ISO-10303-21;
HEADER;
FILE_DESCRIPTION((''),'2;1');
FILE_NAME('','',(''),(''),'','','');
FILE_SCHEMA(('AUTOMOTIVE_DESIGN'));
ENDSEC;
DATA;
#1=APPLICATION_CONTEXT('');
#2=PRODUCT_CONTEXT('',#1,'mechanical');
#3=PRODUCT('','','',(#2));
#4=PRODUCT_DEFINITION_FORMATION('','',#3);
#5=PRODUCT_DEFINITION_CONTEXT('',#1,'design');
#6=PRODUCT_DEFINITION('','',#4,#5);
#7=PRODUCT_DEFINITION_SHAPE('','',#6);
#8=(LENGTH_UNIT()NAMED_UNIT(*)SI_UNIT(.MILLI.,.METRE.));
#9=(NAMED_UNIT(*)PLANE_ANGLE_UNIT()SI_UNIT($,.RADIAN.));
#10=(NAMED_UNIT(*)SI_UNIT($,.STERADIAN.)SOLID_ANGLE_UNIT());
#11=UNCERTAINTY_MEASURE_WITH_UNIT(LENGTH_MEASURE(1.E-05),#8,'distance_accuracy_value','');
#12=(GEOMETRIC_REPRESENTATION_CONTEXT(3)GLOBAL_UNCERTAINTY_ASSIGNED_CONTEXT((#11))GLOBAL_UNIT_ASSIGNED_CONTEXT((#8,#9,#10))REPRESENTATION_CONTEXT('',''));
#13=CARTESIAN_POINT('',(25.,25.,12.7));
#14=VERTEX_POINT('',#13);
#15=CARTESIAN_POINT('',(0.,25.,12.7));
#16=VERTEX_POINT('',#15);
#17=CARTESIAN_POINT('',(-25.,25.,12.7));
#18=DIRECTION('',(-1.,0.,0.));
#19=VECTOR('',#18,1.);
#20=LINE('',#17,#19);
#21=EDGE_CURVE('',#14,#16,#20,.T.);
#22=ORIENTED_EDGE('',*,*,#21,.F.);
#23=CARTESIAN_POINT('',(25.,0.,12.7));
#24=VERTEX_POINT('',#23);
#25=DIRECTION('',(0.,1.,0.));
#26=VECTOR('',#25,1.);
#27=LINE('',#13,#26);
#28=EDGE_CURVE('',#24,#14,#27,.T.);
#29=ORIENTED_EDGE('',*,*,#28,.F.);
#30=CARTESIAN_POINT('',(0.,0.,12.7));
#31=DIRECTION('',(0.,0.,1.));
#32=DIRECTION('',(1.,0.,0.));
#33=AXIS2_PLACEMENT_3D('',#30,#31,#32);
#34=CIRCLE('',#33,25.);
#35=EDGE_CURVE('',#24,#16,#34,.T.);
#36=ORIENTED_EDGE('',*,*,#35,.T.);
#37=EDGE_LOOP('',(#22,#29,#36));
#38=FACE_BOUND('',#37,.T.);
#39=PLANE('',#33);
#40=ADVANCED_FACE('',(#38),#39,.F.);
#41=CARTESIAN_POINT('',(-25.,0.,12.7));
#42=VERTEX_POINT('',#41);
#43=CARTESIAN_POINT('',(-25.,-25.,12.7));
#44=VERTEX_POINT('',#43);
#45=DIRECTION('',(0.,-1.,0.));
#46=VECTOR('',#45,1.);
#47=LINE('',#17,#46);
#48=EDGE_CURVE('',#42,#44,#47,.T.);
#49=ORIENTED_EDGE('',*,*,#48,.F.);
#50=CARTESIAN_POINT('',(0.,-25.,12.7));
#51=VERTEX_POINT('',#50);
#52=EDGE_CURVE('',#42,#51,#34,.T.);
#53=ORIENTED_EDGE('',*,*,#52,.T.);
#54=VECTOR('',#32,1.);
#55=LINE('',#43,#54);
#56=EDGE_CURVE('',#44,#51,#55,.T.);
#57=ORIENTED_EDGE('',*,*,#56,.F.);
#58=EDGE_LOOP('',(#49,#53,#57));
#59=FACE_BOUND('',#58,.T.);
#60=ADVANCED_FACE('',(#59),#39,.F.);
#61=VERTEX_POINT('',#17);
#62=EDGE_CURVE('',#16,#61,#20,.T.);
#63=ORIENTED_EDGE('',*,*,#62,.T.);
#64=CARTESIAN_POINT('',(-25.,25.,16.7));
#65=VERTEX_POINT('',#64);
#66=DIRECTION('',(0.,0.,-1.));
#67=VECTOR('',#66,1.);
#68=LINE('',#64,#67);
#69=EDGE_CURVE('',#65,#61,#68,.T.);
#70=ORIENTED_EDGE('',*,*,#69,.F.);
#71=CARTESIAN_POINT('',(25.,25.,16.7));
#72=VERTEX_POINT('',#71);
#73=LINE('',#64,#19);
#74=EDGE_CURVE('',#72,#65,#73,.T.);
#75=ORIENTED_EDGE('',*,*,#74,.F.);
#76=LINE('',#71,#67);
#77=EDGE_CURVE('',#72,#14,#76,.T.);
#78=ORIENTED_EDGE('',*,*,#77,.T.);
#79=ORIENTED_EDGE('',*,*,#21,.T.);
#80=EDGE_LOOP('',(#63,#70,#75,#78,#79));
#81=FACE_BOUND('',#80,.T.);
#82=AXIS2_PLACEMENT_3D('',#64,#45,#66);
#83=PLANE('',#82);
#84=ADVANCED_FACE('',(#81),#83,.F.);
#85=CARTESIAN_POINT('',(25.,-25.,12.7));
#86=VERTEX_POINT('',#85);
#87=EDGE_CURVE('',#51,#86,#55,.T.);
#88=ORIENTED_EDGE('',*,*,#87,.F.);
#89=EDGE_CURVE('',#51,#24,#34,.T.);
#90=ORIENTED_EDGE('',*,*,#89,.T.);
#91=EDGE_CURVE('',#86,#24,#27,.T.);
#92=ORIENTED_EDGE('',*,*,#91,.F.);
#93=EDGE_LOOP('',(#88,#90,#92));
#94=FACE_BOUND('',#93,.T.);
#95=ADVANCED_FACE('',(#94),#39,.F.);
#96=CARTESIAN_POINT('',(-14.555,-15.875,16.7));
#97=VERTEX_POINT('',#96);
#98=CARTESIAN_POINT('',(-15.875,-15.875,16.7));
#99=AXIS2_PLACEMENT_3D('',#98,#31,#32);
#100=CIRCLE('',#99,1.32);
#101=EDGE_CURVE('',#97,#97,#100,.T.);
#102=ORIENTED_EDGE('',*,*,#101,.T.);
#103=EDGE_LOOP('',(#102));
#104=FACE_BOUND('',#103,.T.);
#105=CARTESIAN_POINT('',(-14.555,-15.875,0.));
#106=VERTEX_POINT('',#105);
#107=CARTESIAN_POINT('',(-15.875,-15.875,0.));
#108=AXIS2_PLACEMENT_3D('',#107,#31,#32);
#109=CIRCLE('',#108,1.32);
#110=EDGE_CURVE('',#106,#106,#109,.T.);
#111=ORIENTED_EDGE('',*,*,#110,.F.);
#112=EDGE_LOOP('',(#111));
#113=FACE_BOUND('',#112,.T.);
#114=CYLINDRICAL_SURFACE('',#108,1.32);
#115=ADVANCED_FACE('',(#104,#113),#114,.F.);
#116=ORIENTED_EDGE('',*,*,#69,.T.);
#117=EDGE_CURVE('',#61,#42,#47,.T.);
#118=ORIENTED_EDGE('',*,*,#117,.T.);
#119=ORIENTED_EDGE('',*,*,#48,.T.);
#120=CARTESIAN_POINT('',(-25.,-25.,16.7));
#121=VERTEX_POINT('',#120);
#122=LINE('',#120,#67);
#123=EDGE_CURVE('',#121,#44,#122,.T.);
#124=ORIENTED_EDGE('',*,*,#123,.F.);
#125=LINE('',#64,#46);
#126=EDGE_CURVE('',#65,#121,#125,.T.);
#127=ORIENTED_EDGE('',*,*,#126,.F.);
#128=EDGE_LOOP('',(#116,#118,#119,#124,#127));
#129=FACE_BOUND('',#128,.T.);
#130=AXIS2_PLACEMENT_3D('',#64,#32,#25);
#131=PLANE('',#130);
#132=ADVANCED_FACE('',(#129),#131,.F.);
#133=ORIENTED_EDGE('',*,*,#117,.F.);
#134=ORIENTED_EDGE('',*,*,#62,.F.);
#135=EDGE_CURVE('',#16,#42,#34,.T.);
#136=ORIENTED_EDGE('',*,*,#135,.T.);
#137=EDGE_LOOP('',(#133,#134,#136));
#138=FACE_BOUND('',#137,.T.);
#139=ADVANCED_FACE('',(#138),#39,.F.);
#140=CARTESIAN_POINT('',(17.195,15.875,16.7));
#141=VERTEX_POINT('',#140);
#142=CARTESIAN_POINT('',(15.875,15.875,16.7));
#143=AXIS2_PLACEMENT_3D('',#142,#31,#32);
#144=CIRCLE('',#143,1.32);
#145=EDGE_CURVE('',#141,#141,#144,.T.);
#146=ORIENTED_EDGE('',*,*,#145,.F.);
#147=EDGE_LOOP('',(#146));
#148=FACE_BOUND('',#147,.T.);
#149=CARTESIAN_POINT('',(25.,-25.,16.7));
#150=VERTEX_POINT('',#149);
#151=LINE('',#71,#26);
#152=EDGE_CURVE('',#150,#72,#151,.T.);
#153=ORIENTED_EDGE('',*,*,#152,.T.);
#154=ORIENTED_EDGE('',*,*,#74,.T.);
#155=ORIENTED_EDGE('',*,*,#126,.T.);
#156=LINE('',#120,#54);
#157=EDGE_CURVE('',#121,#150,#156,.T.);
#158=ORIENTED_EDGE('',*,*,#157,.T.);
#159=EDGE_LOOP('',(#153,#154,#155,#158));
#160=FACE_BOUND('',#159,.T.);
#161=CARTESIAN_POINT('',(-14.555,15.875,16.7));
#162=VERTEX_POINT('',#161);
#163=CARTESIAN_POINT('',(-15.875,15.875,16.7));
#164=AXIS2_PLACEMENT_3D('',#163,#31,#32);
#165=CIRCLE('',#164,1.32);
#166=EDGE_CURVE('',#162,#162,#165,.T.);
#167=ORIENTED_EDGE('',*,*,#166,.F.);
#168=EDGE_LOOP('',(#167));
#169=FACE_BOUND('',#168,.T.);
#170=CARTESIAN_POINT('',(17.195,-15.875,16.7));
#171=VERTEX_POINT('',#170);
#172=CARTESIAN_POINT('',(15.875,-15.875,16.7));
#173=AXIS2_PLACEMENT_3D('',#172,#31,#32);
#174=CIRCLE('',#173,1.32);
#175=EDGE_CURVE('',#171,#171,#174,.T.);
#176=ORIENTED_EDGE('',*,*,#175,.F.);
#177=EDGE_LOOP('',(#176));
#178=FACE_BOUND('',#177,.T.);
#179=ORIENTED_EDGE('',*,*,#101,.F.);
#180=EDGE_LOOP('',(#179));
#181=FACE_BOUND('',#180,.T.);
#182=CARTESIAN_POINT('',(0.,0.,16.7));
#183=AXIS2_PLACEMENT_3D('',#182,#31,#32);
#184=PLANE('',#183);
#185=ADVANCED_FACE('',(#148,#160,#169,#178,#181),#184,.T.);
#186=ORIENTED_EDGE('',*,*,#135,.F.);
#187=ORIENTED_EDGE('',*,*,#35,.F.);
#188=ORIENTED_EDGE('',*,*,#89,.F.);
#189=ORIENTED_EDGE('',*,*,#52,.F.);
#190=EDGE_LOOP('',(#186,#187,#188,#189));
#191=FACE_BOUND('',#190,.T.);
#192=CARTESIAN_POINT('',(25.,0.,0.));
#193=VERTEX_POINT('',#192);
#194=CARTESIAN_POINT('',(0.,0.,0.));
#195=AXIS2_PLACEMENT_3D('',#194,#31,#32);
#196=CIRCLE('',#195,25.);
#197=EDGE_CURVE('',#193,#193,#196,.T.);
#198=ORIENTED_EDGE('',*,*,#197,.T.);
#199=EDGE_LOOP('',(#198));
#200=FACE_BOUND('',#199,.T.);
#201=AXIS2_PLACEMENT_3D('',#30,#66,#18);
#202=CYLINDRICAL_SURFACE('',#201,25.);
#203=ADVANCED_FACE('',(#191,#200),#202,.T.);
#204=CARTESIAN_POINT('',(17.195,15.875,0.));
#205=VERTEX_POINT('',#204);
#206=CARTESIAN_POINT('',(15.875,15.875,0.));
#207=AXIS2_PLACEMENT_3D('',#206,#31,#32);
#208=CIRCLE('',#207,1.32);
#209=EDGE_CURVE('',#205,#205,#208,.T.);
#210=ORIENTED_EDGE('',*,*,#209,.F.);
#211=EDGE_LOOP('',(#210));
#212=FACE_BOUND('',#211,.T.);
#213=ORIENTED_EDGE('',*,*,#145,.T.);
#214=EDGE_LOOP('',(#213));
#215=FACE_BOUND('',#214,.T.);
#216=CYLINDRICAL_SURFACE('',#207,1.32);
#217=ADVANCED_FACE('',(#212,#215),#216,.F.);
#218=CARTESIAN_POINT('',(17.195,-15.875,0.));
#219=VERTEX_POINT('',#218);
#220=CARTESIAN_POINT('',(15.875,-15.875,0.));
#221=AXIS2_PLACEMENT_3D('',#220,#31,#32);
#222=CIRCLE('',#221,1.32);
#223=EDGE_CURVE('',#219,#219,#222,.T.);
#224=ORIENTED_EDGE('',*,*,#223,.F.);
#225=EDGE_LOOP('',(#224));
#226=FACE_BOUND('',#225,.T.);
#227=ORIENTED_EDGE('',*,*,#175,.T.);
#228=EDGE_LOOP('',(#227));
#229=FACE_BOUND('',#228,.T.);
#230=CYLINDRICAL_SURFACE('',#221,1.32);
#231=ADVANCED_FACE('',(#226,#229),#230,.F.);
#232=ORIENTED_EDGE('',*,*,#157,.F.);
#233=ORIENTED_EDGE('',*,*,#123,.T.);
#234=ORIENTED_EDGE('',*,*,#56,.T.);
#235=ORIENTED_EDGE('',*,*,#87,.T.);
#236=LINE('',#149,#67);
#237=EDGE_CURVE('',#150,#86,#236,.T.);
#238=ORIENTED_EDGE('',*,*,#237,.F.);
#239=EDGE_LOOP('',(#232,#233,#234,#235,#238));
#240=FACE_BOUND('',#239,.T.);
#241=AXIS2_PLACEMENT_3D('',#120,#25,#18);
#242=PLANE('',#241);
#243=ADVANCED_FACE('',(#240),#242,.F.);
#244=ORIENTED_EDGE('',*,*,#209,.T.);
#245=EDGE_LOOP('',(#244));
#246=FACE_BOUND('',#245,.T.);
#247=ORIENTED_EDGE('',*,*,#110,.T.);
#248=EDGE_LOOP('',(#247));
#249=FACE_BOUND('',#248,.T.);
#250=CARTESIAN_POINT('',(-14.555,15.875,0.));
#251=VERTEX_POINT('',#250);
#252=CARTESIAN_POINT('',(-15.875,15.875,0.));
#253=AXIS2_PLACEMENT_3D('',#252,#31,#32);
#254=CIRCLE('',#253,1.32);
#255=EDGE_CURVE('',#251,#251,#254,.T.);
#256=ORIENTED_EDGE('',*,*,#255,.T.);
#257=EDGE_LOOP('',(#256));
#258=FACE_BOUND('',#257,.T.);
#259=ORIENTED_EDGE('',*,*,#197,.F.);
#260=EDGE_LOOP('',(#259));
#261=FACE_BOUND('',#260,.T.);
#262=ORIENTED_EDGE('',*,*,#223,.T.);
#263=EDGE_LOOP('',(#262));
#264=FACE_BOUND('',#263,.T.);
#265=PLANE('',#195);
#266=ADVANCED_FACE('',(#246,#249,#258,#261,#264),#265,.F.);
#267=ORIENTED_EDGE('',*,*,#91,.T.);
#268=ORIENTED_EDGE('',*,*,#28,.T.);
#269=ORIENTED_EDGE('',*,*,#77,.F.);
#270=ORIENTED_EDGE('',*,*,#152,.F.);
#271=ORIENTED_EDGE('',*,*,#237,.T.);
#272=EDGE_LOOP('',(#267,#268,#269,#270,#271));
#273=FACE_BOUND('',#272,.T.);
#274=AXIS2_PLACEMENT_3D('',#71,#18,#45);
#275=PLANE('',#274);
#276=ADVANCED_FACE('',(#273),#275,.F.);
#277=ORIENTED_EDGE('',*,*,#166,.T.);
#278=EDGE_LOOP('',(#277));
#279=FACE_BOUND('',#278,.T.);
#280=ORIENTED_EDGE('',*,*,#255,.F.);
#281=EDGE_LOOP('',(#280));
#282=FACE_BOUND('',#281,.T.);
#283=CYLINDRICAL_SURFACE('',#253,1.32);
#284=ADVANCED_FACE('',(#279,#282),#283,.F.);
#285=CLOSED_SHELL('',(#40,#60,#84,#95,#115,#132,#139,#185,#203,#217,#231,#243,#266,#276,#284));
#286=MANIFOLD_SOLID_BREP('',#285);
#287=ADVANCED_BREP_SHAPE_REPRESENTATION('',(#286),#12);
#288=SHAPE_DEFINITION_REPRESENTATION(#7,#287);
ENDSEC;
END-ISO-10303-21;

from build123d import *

# Parameters (mm, degrees)
SKETCH1_R           = 25
BOSS_EXTRUDE1_DEPTH = 12.7
SKETCH2_W           = 50
SKETCH2_H           = 50
BOSS_EXTRUDE2_DEPTH = 4
SKETCH3_R           = 1.32
CUT_EXTRUDE1_DEPTH  = 17.7


with BuildPart() as part:
    # Sketch1 → Boss-Extrude1 (new body)
    with BuildSketch(Plane.XY):
        Circle(SKETCH1_R)
    extrude(amount=BOSS_EXTRUDE1_DEPTH)

    # Sketch2 → Boss-Extrude2 (add)
    with BuildSketch(Plane.XY.offset(12.7)):
        Rectangle(SKETCH2_W, SKETCH2_H)
    extrude(amount=BOSS_EXTRUDE2_DEPTH)

    # Sketch3 → Cut-Extrude1 (cut, through all)
    with BuildSketch(Plane.XY.offset(16.7)):
        with Locations((-15.875, 15.875)):
            Circle(SKETCH3_R)
        with Locations((15.875, 15.875)):
            Circle(SKETCH3_R)
        with Locations((15.875, -15.875)):
            Circle(SKETCH3_R)
        with Locations((-15.875, -15.875)):
            Circle(SKETCH3_R)
    extrude(amount=-CUT_EXTRUDE1_DEPTH, mode=Mode.SUBTRACT)


solid = part.part
